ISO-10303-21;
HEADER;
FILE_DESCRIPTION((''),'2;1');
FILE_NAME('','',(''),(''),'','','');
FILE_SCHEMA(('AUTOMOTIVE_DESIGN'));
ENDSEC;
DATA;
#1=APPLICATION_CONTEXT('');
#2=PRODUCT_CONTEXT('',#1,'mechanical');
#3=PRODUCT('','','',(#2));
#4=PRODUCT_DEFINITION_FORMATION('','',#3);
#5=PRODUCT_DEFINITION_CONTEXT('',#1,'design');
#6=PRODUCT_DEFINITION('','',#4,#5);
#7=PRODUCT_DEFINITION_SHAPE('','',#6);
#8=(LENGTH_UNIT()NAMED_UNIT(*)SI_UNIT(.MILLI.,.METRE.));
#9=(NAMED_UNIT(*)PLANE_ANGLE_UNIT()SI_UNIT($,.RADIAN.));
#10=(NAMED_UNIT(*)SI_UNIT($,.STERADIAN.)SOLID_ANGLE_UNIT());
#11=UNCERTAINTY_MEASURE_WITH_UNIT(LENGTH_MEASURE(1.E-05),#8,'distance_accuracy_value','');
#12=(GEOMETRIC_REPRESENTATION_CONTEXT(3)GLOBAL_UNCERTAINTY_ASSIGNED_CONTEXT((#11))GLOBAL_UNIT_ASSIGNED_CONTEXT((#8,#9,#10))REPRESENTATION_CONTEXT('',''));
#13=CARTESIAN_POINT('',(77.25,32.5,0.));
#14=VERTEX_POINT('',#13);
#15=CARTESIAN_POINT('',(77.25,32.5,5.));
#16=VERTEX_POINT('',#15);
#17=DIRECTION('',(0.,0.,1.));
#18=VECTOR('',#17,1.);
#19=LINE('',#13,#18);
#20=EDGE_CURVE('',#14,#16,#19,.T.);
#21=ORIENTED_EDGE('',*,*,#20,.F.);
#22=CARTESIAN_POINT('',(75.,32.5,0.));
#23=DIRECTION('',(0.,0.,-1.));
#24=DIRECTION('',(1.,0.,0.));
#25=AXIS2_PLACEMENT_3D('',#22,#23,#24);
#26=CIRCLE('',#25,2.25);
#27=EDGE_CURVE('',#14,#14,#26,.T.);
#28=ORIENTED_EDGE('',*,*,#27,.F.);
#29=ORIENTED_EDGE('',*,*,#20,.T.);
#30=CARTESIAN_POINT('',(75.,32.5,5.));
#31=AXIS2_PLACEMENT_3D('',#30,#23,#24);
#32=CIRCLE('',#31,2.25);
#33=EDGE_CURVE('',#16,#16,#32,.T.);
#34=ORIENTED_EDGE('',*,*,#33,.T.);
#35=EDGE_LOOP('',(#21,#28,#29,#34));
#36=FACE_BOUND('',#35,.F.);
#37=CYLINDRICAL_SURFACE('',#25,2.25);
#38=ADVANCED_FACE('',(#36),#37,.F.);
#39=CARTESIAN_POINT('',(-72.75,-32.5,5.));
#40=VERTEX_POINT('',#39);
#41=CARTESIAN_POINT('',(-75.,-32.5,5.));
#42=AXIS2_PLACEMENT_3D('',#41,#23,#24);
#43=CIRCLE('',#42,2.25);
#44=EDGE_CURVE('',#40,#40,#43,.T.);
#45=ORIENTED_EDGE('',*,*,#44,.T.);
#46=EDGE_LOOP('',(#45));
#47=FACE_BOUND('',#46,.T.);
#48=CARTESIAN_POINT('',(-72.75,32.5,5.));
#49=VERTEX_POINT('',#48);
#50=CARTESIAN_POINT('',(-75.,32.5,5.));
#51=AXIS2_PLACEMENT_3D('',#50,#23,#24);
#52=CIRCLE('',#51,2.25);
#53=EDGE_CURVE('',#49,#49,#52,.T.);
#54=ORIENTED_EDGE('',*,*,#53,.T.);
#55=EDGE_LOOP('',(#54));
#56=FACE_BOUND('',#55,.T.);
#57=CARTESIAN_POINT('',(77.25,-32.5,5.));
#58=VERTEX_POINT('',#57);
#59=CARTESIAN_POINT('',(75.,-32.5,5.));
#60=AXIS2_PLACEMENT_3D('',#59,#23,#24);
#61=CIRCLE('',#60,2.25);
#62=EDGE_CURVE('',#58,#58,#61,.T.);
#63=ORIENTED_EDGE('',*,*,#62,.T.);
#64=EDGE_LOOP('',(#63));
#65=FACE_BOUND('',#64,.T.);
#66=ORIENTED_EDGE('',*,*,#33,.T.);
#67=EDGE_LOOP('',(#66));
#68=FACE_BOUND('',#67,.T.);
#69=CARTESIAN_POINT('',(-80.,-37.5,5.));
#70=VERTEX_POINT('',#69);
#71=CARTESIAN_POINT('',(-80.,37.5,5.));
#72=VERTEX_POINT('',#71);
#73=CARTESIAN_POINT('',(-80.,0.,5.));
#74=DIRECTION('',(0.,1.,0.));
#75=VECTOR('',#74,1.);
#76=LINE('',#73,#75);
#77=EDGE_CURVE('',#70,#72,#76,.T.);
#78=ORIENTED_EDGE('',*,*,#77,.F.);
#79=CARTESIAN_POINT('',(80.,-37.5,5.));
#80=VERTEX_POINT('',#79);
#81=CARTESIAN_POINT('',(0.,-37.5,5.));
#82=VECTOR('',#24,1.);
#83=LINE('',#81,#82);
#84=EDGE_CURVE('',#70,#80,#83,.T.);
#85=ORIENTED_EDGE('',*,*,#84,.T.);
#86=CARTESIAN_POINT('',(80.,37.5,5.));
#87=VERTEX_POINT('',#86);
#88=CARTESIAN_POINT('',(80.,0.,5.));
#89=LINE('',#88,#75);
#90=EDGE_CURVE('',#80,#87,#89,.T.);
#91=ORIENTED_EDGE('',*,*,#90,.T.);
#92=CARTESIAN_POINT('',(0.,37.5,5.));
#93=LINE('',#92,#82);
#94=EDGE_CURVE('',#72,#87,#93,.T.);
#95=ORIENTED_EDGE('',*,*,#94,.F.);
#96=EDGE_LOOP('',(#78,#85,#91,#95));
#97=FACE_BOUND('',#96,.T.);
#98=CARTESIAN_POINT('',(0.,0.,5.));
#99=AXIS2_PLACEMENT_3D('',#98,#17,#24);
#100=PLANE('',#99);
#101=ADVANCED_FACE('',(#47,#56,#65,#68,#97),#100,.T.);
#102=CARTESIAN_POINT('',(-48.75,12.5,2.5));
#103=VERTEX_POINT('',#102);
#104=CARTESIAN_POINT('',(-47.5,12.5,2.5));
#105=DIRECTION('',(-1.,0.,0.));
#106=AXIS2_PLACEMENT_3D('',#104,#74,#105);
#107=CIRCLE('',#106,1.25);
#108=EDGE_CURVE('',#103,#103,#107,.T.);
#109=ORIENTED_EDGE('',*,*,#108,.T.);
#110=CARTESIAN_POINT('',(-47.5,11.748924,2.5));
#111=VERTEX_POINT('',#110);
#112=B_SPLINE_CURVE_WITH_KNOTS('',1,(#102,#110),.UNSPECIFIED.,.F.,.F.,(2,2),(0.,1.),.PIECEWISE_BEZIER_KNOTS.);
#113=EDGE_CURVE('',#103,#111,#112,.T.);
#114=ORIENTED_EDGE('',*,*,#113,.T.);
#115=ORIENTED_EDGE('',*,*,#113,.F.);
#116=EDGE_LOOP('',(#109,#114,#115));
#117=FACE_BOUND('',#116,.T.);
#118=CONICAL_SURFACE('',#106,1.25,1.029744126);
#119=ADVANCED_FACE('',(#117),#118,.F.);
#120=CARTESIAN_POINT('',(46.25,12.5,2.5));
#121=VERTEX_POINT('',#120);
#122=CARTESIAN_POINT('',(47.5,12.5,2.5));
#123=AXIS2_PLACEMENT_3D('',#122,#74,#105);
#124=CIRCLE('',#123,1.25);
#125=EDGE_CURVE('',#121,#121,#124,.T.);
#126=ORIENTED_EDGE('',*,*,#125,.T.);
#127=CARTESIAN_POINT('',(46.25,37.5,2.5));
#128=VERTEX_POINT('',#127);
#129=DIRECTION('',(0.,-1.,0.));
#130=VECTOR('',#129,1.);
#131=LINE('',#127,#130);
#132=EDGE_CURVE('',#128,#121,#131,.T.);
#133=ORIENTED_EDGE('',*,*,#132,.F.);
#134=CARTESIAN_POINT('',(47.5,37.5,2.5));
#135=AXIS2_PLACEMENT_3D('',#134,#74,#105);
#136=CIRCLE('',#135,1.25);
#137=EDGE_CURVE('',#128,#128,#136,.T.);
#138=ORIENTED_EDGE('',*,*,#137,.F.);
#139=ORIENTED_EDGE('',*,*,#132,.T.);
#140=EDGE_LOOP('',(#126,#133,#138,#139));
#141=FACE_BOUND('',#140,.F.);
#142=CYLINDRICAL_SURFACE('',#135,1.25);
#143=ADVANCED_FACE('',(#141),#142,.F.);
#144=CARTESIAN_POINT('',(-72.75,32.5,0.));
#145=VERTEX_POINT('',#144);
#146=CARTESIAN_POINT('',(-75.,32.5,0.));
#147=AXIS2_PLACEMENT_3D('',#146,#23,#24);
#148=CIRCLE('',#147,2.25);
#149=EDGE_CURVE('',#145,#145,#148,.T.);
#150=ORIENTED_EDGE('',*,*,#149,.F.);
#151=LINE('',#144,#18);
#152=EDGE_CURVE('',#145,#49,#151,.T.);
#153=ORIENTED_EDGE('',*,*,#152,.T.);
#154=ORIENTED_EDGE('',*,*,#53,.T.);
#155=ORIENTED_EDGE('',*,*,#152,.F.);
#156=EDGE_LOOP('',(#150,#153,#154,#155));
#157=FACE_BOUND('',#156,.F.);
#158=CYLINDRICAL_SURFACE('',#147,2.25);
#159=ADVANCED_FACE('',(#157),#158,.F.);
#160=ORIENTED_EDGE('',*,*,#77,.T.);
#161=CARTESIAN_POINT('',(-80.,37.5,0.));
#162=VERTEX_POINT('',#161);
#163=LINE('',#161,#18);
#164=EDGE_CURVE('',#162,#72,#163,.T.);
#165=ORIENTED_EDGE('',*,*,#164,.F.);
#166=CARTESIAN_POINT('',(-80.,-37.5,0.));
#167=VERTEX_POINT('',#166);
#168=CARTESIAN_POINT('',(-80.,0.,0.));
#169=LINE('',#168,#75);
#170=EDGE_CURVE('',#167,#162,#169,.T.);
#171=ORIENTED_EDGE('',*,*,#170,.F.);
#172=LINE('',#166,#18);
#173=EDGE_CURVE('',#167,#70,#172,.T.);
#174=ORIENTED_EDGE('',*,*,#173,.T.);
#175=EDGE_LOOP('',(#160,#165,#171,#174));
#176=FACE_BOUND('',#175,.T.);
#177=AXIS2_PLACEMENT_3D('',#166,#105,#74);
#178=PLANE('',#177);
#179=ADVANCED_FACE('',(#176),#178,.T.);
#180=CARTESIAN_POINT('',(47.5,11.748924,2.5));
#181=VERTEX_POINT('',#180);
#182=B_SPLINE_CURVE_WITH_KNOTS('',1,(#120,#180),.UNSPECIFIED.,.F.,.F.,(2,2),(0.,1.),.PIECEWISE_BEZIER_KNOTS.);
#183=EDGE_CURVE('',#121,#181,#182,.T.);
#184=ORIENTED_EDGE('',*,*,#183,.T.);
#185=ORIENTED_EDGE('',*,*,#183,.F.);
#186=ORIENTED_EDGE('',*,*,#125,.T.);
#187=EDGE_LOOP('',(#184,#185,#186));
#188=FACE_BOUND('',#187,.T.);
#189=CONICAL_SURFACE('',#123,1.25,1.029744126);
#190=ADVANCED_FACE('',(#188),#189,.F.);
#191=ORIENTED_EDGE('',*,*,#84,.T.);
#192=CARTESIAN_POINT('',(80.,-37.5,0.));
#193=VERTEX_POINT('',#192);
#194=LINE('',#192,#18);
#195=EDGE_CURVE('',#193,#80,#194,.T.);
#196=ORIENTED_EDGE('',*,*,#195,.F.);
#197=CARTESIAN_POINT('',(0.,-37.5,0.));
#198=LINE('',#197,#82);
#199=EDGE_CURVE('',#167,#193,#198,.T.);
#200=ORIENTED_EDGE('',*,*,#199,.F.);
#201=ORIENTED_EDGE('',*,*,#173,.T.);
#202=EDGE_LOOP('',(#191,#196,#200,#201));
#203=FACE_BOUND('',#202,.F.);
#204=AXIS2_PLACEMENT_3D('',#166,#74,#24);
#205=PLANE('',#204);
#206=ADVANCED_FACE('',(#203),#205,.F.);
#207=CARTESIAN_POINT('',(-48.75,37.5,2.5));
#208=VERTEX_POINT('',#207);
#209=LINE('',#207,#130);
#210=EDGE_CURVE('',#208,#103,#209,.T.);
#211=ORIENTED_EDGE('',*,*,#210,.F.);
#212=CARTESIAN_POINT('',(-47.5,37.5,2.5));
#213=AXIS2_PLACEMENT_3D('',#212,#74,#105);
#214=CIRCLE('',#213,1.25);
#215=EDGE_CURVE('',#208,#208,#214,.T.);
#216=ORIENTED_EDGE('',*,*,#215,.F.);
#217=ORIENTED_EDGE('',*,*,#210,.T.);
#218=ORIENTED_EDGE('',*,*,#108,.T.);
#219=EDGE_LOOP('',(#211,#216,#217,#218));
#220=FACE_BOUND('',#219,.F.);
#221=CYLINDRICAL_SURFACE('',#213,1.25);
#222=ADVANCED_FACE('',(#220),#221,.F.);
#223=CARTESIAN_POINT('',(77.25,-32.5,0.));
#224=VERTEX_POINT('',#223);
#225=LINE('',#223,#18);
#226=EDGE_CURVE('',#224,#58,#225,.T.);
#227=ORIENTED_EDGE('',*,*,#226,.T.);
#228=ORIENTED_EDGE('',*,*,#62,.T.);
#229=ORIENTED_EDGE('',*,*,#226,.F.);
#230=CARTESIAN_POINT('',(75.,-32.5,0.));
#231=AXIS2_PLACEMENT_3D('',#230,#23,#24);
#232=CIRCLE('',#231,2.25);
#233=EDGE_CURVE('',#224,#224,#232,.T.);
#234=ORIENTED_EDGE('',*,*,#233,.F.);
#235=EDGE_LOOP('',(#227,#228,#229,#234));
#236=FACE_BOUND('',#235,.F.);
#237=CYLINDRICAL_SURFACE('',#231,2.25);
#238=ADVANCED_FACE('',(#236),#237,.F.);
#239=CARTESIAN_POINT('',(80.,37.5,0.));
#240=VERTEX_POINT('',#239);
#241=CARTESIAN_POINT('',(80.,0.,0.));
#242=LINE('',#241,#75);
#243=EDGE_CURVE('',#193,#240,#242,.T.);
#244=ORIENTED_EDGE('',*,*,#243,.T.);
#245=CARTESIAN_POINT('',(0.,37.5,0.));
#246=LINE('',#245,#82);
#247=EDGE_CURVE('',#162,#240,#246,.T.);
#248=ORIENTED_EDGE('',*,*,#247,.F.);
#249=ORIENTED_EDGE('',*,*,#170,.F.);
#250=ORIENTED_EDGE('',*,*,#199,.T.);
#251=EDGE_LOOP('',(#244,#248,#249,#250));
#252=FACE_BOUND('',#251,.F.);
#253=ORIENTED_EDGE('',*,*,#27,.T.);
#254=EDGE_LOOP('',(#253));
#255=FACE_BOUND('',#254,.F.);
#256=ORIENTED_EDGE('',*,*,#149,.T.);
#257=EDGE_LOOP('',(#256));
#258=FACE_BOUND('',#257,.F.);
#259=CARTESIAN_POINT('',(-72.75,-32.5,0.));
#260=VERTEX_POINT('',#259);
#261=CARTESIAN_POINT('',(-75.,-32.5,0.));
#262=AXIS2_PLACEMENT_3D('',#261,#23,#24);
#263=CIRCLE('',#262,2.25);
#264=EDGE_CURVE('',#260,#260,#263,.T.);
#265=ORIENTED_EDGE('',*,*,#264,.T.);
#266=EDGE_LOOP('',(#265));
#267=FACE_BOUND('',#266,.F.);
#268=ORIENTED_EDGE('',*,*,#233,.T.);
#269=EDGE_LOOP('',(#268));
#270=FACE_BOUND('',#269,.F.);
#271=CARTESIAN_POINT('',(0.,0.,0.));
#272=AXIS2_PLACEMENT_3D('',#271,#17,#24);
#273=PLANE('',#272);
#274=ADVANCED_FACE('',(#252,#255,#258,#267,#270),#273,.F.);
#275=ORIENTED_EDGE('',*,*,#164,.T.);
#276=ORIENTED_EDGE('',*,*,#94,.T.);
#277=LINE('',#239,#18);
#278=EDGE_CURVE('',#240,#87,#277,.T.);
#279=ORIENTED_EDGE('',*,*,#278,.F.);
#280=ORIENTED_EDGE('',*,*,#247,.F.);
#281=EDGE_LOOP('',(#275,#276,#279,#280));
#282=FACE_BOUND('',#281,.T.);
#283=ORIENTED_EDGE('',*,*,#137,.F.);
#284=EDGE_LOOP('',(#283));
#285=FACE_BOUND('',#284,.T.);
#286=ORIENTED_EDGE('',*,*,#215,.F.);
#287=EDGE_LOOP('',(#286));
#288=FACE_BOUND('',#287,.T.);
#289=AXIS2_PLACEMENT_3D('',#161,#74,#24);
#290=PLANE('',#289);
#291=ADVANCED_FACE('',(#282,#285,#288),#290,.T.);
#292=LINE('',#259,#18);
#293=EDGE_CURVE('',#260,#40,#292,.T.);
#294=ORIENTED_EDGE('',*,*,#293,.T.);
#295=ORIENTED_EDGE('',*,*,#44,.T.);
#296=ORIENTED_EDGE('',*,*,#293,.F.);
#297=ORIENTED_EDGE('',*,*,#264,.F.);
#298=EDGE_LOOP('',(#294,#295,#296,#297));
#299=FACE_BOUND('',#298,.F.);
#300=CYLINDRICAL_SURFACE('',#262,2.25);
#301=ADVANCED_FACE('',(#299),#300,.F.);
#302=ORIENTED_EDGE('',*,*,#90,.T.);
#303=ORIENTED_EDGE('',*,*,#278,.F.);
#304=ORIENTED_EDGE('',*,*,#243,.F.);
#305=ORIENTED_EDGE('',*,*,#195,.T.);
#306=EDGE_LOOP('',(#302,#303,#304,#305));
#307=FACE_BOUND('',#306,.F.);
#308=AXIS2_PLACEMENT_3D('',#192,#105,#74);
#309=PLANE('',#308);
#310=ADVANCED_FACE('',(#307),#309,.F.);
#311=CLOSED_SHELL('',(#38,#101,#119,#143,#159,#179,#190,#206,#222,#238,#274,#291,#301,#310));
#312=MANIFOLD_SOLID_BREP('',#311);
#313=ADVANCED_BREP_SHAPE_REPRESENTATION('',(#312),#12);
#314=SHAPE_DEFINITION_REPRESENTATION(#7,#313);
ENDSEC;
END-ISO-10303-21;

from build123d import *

# Parameters (mm, degrees)
SKETCH_W       = 160
SKETCH_H       = 75
PAD_DEPTH      = 5
SKETCH001_R    = 2.25
HOLE_DEPTH     = 5.001
SKETCH002_R    = 1.25
HOLE001_DEPTH  = 25
HOLE001_TIPS_R = 1.25


with BuildPart() as part:
    # Sketch → Pad (new body)
    with BuildSketch(Plane.XY):
        Rectangle(SKETCH_W, SKETCH_H)
    extrude(amount=PAD_DEPTH)

    # Sketch001 (on Face5 of Pad) → Hole (cut, through all)
    with BuildSketch(Plane(origin=(0, 0, 0), x_dir=(1, 0, 0), z_dir=(0, 0, -1))):
        with Locations((-75, 32.5)):
            Circle(SKETCH001_R)
        with Locations((75, 32.5)):
            Circle(SKETCH001_R)
        with Locations((75, -32.5)):
            Circle(SKETCH001_R)
        with Locations((-75, -32.5)):
            Circle(SKETCH001_R)
    extrude(amount=-HOLE_DEPTH, mode=Mode.SUBTRACT)

    # Sketch002 (on Face1 of Hole) → Hole001 (cut)
    with BuildSketch(Plane(origin=(0, 37.5, 0), x_dir=(-1, 0, 0), z_dir=(0, 1, 0))):
        with Locations((-47.5, 2.5)):
            Circle(SKETCH002_R)
        with Locations((47.5, 2.5)):
            Circle(SKETCH002_R)
    extrude(amount=-HOLE001_DEPTH, mode=Mode.SUBTRACT)

    # Hole001 tips → Hole001 tip 1 section 0
    with BuildSketch(Plane(origin=(0, 12.5, 0), x_dir=(-1, 0, 0), z_dir=(0, 1, 0)), mode=Mode.PRIVATE) as hole001_tip_1_s0:
        with Locations((-47.5, 2.5)):
            Circle(HOLE001_TIPS_R)
    loft([hole001_tip_1_s0.sketch, Vertex(47.5, 11.748924, 2.5)], mode=Mode.SUBTRACT)

    # Hole001 tips → Hole001 tip 2 section 0
    with BuildSketch(Plane(origin=(0, 12.5, 0), x_dir=(-1, 0, 0), z_dir=(0, 1, 0)), mode=Mode.PRIVATE) as hole001_tip_2_s0:
        with Locations((47.5, 2.5)):
            Circle(HOLE001_TIPS_R)
    loft([hole001_tip_2_s0.sketch, Vertex(-47.5, 11.748924, 2.5)], mode=Mode.SUBTRACT)


solid = part.part
